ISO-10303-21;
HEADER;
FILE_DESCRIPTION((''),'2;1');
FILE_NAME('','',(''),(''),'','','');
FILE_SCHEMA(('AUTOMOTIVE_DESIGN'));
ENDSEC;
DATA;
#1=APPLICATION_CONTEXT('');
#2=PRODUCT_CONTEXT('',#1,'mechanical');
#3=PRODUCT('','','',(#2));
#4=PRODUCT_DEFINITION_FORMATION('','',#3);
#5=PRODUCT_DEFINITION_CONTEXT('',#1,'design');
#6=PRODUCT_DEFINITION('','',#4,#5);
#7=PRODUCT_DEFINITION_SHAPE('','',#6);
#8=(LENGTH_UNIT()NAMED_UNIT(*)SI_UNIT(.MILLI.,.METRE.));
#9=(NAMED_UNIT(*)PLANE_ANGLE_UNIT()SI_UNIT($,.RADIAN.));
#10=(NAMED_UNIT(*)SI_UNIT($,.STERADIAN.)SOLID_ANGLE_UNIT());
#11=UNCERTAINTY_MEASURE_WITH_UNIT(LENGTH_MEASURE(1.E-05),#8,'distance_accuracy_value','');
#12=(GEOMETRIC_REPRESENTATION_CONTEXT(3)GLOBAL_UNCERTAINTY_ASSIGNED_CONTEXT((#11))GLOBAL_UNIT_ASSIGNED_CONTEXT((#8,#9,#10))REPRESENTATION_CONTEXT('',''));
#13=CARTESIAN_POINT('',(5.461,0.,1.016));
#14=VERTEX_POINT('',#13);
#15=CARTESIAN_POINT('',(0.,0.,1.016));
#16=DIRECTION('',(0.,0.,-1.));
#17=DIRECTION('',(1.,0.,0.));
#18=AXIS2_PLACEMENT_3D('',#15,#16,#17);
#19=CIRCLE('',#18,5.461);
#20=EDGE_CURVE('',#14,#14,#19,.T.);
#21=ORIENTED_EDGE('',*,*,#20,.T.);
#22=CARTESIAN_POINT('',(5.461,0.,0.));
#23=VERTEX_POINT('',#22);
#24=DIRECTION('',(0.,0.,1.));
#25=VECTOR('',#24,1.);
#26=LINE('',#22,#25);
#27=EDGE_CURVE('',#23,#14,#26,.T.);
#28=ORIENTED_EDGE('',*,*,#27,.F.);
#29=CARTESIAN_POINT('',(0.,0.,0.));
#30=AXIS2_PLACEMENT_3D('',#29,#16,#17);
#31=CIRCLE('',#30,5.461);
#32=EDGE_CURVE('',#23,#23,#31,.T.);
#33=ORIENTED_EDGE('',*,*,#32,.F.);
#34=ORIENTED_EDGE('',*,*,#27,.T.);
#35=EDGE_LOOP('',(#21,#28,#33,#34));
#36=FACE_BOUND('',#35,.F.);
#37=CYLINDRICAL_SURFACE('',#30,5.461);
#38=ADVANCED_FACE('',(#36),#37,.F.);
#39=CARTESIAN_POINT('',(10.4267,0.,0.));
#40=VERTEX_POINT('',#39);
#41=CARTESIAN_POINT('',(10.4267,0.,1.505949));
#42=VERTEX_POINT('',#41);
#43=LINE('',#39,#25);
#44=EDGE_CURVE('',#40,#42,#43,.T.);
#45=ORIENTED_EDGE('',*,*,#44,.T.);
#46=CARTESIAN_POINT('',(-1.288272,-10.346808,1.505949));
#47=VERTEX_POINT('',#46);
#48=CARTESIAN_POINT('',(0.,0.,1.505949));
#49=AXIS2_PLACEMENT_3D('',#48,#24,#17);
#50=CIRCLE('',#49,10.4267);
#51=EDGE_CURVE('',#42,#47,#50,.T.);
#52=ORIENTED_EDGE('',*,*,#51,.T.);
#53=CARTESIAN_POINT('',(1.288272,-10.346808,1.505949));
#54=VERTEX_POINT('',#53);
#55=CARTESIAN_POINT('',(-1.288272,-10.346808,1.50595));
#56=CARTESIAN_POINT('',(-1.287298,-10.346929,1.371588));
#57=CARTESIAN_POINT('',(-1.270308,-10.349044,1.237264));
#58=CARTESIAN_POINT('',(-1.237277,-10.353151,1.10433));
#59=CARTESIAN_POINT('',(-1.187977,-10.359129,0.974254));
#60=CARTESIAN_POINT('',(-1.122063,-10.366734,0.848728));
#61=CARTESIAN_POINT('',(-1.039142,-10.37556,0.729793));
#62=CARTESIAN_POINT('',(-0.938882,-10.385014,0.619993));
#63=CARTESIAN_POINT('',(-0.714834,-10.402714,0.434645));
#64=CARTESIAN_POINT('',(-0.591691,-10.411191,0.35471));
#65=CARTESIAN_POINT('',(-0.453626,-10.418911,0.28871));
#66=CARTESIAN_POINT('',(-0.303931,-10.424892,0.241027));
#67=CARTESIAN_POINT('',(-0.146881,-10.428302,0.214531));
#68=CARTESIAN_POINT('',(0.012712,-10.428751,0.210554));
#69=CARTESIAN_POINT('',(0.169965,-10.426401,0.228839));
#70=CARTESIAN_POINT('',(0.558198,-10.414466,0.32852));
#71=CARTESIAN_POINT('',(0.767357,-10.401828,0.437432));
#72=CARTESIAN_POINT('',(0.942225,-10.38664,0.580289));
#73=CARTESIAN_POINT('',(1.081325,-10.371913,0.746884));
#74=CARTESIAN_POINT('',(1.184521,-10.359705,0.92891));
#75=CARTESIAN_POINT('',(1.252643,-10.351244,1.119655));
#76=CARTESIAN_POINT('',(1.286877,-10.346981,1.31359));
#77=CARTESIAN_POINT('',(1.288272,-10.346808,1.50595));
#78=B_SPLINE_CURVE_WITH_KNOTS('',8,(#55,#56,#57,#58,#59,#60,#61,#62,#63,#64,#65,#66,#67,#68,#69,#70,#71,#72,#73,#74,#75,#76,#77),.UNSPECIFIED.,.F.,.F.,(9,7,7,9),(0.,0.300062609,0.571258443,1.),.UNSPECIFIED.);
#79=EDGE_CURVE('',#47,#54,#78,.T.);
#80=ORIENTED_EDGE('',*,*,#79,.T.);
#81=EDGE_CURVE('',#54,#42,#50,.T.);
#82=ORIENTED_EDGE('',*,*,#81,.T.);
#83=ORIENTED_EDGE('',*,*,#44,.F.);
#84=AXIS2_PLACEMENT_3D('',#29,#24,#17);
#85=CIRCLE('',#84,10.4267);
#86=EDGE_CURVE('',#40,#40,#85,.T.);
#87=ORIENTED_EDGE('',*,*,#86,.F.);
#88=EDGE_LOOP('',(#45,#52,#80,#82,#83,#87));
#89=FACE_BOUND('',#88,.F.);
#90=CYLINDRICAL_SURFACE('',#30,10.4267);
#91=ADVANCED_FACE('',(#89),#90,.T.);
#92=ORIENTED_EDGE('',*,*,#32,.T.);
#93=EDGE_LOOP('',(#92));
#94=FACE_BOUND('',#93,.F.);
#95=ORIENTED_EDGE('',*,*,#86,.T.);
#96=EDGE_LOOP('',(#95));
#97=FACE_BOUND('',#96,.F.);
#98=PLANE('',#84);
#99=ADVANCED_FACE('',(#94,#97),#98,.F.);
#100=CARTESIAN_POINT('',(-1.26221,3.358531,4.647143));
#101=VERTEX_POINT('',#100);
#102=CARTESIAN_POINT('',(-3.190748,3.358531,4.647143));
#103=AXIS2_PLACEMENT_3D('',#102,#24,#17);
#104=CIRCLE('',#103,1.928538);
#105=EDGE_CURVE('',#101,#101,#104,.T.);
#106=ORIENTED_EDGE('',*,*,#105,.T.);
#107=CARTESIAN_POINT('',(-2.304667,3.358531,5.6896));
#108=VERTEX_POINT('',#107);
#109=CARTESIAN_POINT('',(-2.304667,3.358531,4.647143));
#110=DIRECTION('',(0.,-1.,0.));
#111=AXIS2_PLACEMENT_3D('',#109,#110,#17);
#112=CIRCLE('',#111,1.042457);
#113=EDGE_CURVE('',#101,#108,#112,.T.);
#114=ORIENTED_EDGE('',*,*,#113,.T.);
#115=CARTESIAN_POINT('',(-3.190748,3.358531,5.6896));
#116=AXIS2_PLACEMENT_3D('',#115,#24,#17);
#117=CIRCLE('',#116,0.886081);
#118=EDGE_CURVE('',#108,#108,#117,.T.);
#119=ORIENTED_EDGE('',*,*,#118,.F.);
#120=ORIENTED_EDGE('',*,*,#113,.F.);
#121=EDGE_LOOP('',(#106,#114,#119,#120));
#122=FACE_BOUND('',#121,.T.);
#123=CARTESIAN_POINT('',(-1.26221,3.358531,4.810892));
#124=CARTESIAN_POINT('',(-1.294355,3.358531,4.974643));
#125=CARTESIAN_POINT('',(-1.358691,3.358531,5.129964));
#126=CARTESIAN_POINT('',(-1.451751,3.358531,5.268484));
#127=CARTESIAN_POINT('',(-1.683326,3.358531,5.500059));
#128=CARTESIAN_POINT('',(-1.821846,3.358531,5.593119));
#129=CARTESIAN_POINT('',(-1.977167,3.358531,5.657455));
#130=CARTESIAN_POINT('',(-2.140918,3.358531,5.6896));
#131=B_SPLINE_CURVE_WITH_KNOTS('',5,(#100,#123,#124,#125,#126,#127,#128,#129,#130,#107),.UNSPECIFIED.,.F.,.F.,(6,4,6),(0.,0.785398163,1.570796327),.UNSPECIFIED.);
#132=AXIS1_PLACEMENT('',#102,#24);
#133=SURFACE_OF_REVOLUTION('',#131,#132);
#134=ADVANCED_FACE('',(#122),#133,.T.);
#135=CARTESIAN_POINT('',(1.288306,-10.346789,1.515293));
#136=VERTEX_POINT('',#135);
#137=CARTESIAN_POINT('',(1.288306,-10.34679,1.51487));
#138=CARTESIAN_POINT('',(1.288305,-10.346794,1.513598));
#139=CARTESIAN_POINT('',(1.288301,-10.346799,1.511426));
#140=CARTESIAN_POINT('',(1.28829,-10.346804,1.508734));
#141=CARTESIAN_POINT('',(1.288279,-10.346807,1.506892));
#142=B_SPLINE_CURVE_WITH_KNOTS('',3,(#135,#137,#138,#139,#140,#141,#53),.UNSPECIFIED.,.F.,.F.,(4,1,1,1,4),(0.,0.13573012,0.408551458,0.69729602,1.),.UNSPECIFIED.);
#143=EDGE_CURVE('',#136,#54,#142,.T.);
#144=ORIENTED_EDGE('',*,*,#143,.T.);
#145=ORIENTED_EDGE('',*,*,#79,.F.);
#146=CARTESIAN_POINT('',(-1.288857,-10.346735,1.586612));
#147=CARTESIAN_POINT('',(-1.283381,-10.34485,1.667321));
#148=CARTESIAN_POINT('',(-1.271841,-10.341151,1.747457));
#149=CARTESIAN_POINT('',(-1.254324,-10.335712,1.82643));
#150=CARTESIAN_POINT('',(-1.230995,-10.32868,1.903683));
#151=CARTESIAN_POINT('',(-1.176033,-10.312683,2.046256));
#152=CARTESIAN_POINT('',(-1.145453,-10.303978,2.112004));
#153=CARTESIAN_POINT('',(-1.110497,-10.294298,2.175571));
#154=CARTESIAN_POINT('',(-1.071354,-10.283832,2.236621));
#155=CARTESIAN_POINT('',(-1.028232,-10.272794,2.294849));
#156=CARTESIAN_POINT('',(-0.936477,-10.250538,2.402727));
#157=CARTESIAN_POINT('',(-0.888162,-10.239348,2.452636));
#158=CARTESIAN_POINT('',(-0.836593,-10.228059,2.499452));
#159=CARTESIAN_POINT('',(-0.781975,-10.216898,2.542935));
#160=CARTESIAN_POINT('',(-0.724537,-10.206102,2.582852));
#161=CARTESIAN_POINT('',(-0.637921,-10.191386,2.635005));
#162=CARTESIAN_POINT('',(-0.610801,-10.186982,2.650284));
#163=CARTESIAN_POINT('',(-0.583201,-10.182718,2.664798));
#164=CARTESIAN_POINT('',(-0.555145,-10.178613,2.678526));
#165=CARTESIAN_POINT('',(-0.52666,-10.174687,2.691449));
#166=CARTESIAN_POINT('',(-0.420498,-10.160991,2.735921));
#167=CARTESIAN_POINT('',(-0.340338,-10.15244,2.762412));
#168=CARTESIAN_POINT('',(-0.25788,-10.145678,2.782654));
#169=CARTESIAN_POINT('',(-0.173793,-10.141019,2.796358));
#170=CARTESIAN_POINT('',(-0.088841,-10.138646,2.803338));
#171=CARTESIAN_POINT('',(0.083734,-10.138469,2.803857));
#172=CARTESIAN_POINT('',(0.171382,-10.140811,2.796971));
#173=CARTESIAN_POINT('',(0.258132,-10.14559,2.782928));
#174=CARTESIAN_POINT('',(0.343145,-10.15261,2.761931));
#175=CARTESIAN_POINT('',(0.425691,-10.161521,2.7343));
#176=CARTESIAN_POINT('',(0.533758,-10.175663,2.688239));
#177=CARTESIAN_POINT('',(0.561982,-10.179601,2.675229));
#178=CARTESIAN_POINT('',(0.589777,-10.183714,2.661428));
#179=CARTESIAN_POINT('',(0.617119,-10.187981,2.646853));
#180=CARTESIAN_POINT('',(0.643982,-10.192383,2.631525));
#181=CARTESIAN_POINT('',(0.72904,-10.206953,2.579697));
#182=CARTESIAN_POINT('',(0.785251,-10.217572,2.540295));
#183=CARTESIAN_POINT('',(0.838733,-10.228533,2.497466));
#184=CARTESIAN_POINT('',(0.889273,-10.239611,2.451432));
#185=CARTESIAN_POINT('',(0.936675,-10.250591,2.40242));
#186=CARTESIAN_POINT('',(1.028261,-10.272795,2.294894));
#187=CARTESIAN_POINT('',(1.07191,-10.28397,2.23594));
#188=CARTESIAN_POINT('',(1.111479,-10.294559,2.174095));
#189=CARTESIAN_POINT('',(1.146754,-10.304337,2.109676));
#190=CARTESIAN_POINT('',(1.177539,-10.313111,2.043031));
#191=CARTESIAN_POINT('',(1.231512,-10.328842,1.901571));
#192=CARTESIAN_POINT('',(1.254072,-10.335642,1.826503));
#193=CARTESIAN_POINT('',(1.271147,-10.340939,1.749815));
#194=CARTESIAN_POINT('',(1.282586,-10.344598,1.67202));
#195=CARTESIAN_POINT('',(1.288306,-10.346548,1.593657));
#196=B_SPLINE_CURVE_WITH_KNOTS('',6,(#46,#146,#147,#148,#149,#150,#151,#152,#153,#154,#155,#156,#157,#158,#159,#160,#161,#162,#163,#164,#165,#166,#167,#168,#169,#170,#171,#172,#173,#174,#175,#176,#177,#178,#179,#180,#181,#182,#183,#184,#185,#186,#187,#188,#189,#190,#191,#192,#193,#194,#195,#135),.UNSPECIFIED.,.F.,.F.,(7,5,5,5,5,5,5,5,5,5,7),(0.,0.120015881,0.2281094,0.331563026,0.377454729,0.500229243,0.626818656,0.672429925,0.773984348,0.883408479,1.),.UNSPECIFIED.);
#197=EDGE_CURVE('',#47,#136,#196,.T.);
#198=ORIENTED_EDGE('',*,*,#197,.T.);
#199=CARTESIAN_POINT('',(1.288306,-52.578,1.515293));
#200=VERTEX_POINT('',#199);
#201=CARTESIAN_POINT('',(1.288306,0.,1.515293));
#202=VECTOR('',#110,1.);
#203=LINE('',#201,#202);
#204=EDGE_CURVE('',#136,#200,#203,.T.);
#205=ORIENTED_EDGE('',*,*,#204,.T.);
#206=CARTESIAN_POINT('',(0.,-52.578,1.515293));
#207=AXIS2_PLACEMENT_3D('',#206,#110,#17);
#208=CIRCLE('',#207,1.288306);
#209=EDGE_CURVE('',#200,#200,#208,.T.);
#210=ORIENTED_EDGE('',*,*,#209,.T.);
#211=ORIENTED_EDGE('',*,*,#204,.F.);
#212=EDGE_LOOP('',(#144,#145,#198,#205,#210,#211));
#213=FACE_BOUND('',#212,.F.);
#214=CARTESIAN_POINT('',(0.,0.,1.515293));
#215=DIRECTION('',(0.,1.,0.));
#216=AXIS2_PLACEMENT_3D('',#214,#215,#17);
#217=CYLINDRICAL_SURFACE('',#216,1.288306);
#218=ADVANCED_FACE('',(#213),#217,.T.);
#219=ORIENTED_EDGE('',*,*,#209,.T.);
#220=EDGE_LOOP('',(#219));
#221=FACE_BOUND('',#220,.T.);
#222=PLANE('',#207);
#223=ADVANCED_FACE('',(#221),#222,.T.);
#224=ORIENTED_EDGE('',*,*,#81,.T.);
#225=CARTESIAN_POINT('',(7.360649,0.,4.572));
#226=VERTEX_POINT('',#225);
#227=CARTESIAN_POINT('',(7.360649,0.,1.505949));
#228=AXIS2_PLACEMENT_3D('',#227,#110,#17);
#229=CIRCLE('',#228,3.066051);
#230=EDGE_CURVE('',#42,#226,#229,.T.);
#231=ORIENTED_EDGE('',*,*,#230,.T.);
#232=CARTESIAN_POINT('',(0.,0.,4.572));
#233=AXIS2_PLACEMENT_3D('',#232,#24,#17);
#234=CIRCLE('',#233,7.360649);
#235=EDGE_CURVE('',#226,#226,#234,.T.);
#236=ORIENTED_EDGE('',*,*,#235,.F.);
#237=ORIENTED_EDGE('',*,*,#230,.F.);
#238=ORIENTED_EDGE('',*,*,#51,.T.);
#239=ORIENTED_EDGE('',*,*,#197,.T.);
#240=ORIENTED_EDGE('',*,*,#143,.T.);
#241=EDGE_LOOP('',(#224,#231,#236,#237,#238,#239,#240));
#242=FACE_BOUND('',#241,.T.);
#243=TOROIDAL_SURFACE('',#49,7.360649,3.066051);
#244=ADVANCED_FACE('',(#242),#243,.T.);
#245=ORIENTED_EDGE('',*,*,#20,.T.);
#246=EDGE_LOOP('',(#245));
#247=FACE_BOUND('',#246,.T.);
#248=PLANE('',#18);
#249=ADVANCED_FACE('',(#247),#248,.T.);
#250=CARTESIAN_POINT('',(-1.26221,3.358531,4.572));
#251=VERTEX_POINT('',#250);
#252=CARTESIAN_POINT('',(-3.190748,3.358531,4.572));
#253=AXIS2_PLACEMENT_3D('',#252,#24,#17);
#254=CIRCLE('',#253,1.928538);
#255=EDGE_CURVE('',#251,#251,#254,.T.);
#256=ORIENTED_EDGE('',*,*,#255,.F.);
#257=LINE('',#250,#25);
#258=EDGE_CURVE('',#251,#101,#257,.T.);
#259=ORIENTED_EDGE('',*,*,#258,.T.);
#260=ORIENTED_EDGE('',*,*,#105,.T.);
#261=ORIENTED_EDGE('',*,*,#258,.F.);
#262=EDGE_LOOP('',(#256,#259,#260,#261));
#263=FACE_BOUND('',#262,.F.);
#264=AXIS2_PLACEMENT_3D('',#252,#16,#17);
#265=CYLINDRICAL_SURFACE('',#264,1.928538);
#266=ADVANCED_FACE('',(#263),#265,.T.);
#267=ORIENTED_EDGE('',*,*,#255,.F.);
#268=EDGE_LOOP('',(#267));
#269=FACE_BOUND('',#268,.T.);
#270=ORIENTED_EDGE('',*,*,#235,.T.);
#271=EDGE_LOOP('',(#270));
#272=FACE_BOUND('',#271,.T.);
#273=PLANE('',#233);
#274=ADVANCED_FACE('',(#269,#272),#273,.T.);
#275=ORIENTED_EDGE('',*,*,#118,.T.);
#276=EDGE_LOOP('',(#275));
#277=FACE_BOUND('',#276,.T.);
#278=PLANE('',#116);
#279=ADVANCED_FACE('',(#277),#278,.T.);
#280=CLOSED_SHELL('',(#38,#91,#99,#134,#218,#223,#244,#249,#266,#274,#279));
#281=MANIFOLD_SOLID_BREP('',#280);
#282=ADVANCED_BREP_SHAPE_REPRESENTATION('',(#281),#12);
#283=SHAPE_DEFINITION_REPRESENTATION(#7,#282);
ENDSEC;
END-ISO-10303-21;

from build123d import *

# Parameters (mm, degrees)
F0_R     = 10.4267
F1_DEPTH = 4.572
F2_R     = 3.066051
F3_R     = 1.288306
F4_DEPTH = 52.578
F5_R     = 1.928538
F6_DEPTH = 1.1176
F7_R     = 1.042457
F8_R     = 5.461
F9_DEPTH = 1.016


with BuildPart() as f1:
    # F0 (on Top) → F1 (new body)
    with BuildSketch(Plane.XY):
        Circle(F0_R)
    extrude(amount=F1_DEPTH)

    # F2
    f2_edges = [f1.edges().sort_by_distance(p)[0] for p in [
        (-10.4267, 0, 4.572),
    ]]
    fillet(f2_edges, radius=F2_R)

    # F3 (on Front) → F4 (join)
    with BuildSketch(Plane.XZ):
        with Locations((0, 1.515293)):
            Circle(F3_R)
    extrude(amount=F4_DEPTH)

    # F5 (on face) → F6 (join)
    with BuildSketch(Plane.XY.offset(4.572)):
        with Locations((-3.190748, 3.358531)):
            Circle(F5_R)
    extrude(amount=F6_DEPTH)

    # F7
    f7_edges = [f1.edges().sort_by_distance(p)[0] for p in [
        (-5.119286, 3.358531, 5.6896),
    ]]
    fillet(f7_edges, radius=F7_R)

    # F8 (on face) → F9 (cut)
    with BuildSketch(Plane(origin=(0, 0, 0), x_dir=(1, 0, 0), z_dir=(0, 0, -1))):
        Circle(F8_R)
    extrude(amount=-F9_DEPTH, mode=Mode.SUBTRACT)


solid = f1.part
